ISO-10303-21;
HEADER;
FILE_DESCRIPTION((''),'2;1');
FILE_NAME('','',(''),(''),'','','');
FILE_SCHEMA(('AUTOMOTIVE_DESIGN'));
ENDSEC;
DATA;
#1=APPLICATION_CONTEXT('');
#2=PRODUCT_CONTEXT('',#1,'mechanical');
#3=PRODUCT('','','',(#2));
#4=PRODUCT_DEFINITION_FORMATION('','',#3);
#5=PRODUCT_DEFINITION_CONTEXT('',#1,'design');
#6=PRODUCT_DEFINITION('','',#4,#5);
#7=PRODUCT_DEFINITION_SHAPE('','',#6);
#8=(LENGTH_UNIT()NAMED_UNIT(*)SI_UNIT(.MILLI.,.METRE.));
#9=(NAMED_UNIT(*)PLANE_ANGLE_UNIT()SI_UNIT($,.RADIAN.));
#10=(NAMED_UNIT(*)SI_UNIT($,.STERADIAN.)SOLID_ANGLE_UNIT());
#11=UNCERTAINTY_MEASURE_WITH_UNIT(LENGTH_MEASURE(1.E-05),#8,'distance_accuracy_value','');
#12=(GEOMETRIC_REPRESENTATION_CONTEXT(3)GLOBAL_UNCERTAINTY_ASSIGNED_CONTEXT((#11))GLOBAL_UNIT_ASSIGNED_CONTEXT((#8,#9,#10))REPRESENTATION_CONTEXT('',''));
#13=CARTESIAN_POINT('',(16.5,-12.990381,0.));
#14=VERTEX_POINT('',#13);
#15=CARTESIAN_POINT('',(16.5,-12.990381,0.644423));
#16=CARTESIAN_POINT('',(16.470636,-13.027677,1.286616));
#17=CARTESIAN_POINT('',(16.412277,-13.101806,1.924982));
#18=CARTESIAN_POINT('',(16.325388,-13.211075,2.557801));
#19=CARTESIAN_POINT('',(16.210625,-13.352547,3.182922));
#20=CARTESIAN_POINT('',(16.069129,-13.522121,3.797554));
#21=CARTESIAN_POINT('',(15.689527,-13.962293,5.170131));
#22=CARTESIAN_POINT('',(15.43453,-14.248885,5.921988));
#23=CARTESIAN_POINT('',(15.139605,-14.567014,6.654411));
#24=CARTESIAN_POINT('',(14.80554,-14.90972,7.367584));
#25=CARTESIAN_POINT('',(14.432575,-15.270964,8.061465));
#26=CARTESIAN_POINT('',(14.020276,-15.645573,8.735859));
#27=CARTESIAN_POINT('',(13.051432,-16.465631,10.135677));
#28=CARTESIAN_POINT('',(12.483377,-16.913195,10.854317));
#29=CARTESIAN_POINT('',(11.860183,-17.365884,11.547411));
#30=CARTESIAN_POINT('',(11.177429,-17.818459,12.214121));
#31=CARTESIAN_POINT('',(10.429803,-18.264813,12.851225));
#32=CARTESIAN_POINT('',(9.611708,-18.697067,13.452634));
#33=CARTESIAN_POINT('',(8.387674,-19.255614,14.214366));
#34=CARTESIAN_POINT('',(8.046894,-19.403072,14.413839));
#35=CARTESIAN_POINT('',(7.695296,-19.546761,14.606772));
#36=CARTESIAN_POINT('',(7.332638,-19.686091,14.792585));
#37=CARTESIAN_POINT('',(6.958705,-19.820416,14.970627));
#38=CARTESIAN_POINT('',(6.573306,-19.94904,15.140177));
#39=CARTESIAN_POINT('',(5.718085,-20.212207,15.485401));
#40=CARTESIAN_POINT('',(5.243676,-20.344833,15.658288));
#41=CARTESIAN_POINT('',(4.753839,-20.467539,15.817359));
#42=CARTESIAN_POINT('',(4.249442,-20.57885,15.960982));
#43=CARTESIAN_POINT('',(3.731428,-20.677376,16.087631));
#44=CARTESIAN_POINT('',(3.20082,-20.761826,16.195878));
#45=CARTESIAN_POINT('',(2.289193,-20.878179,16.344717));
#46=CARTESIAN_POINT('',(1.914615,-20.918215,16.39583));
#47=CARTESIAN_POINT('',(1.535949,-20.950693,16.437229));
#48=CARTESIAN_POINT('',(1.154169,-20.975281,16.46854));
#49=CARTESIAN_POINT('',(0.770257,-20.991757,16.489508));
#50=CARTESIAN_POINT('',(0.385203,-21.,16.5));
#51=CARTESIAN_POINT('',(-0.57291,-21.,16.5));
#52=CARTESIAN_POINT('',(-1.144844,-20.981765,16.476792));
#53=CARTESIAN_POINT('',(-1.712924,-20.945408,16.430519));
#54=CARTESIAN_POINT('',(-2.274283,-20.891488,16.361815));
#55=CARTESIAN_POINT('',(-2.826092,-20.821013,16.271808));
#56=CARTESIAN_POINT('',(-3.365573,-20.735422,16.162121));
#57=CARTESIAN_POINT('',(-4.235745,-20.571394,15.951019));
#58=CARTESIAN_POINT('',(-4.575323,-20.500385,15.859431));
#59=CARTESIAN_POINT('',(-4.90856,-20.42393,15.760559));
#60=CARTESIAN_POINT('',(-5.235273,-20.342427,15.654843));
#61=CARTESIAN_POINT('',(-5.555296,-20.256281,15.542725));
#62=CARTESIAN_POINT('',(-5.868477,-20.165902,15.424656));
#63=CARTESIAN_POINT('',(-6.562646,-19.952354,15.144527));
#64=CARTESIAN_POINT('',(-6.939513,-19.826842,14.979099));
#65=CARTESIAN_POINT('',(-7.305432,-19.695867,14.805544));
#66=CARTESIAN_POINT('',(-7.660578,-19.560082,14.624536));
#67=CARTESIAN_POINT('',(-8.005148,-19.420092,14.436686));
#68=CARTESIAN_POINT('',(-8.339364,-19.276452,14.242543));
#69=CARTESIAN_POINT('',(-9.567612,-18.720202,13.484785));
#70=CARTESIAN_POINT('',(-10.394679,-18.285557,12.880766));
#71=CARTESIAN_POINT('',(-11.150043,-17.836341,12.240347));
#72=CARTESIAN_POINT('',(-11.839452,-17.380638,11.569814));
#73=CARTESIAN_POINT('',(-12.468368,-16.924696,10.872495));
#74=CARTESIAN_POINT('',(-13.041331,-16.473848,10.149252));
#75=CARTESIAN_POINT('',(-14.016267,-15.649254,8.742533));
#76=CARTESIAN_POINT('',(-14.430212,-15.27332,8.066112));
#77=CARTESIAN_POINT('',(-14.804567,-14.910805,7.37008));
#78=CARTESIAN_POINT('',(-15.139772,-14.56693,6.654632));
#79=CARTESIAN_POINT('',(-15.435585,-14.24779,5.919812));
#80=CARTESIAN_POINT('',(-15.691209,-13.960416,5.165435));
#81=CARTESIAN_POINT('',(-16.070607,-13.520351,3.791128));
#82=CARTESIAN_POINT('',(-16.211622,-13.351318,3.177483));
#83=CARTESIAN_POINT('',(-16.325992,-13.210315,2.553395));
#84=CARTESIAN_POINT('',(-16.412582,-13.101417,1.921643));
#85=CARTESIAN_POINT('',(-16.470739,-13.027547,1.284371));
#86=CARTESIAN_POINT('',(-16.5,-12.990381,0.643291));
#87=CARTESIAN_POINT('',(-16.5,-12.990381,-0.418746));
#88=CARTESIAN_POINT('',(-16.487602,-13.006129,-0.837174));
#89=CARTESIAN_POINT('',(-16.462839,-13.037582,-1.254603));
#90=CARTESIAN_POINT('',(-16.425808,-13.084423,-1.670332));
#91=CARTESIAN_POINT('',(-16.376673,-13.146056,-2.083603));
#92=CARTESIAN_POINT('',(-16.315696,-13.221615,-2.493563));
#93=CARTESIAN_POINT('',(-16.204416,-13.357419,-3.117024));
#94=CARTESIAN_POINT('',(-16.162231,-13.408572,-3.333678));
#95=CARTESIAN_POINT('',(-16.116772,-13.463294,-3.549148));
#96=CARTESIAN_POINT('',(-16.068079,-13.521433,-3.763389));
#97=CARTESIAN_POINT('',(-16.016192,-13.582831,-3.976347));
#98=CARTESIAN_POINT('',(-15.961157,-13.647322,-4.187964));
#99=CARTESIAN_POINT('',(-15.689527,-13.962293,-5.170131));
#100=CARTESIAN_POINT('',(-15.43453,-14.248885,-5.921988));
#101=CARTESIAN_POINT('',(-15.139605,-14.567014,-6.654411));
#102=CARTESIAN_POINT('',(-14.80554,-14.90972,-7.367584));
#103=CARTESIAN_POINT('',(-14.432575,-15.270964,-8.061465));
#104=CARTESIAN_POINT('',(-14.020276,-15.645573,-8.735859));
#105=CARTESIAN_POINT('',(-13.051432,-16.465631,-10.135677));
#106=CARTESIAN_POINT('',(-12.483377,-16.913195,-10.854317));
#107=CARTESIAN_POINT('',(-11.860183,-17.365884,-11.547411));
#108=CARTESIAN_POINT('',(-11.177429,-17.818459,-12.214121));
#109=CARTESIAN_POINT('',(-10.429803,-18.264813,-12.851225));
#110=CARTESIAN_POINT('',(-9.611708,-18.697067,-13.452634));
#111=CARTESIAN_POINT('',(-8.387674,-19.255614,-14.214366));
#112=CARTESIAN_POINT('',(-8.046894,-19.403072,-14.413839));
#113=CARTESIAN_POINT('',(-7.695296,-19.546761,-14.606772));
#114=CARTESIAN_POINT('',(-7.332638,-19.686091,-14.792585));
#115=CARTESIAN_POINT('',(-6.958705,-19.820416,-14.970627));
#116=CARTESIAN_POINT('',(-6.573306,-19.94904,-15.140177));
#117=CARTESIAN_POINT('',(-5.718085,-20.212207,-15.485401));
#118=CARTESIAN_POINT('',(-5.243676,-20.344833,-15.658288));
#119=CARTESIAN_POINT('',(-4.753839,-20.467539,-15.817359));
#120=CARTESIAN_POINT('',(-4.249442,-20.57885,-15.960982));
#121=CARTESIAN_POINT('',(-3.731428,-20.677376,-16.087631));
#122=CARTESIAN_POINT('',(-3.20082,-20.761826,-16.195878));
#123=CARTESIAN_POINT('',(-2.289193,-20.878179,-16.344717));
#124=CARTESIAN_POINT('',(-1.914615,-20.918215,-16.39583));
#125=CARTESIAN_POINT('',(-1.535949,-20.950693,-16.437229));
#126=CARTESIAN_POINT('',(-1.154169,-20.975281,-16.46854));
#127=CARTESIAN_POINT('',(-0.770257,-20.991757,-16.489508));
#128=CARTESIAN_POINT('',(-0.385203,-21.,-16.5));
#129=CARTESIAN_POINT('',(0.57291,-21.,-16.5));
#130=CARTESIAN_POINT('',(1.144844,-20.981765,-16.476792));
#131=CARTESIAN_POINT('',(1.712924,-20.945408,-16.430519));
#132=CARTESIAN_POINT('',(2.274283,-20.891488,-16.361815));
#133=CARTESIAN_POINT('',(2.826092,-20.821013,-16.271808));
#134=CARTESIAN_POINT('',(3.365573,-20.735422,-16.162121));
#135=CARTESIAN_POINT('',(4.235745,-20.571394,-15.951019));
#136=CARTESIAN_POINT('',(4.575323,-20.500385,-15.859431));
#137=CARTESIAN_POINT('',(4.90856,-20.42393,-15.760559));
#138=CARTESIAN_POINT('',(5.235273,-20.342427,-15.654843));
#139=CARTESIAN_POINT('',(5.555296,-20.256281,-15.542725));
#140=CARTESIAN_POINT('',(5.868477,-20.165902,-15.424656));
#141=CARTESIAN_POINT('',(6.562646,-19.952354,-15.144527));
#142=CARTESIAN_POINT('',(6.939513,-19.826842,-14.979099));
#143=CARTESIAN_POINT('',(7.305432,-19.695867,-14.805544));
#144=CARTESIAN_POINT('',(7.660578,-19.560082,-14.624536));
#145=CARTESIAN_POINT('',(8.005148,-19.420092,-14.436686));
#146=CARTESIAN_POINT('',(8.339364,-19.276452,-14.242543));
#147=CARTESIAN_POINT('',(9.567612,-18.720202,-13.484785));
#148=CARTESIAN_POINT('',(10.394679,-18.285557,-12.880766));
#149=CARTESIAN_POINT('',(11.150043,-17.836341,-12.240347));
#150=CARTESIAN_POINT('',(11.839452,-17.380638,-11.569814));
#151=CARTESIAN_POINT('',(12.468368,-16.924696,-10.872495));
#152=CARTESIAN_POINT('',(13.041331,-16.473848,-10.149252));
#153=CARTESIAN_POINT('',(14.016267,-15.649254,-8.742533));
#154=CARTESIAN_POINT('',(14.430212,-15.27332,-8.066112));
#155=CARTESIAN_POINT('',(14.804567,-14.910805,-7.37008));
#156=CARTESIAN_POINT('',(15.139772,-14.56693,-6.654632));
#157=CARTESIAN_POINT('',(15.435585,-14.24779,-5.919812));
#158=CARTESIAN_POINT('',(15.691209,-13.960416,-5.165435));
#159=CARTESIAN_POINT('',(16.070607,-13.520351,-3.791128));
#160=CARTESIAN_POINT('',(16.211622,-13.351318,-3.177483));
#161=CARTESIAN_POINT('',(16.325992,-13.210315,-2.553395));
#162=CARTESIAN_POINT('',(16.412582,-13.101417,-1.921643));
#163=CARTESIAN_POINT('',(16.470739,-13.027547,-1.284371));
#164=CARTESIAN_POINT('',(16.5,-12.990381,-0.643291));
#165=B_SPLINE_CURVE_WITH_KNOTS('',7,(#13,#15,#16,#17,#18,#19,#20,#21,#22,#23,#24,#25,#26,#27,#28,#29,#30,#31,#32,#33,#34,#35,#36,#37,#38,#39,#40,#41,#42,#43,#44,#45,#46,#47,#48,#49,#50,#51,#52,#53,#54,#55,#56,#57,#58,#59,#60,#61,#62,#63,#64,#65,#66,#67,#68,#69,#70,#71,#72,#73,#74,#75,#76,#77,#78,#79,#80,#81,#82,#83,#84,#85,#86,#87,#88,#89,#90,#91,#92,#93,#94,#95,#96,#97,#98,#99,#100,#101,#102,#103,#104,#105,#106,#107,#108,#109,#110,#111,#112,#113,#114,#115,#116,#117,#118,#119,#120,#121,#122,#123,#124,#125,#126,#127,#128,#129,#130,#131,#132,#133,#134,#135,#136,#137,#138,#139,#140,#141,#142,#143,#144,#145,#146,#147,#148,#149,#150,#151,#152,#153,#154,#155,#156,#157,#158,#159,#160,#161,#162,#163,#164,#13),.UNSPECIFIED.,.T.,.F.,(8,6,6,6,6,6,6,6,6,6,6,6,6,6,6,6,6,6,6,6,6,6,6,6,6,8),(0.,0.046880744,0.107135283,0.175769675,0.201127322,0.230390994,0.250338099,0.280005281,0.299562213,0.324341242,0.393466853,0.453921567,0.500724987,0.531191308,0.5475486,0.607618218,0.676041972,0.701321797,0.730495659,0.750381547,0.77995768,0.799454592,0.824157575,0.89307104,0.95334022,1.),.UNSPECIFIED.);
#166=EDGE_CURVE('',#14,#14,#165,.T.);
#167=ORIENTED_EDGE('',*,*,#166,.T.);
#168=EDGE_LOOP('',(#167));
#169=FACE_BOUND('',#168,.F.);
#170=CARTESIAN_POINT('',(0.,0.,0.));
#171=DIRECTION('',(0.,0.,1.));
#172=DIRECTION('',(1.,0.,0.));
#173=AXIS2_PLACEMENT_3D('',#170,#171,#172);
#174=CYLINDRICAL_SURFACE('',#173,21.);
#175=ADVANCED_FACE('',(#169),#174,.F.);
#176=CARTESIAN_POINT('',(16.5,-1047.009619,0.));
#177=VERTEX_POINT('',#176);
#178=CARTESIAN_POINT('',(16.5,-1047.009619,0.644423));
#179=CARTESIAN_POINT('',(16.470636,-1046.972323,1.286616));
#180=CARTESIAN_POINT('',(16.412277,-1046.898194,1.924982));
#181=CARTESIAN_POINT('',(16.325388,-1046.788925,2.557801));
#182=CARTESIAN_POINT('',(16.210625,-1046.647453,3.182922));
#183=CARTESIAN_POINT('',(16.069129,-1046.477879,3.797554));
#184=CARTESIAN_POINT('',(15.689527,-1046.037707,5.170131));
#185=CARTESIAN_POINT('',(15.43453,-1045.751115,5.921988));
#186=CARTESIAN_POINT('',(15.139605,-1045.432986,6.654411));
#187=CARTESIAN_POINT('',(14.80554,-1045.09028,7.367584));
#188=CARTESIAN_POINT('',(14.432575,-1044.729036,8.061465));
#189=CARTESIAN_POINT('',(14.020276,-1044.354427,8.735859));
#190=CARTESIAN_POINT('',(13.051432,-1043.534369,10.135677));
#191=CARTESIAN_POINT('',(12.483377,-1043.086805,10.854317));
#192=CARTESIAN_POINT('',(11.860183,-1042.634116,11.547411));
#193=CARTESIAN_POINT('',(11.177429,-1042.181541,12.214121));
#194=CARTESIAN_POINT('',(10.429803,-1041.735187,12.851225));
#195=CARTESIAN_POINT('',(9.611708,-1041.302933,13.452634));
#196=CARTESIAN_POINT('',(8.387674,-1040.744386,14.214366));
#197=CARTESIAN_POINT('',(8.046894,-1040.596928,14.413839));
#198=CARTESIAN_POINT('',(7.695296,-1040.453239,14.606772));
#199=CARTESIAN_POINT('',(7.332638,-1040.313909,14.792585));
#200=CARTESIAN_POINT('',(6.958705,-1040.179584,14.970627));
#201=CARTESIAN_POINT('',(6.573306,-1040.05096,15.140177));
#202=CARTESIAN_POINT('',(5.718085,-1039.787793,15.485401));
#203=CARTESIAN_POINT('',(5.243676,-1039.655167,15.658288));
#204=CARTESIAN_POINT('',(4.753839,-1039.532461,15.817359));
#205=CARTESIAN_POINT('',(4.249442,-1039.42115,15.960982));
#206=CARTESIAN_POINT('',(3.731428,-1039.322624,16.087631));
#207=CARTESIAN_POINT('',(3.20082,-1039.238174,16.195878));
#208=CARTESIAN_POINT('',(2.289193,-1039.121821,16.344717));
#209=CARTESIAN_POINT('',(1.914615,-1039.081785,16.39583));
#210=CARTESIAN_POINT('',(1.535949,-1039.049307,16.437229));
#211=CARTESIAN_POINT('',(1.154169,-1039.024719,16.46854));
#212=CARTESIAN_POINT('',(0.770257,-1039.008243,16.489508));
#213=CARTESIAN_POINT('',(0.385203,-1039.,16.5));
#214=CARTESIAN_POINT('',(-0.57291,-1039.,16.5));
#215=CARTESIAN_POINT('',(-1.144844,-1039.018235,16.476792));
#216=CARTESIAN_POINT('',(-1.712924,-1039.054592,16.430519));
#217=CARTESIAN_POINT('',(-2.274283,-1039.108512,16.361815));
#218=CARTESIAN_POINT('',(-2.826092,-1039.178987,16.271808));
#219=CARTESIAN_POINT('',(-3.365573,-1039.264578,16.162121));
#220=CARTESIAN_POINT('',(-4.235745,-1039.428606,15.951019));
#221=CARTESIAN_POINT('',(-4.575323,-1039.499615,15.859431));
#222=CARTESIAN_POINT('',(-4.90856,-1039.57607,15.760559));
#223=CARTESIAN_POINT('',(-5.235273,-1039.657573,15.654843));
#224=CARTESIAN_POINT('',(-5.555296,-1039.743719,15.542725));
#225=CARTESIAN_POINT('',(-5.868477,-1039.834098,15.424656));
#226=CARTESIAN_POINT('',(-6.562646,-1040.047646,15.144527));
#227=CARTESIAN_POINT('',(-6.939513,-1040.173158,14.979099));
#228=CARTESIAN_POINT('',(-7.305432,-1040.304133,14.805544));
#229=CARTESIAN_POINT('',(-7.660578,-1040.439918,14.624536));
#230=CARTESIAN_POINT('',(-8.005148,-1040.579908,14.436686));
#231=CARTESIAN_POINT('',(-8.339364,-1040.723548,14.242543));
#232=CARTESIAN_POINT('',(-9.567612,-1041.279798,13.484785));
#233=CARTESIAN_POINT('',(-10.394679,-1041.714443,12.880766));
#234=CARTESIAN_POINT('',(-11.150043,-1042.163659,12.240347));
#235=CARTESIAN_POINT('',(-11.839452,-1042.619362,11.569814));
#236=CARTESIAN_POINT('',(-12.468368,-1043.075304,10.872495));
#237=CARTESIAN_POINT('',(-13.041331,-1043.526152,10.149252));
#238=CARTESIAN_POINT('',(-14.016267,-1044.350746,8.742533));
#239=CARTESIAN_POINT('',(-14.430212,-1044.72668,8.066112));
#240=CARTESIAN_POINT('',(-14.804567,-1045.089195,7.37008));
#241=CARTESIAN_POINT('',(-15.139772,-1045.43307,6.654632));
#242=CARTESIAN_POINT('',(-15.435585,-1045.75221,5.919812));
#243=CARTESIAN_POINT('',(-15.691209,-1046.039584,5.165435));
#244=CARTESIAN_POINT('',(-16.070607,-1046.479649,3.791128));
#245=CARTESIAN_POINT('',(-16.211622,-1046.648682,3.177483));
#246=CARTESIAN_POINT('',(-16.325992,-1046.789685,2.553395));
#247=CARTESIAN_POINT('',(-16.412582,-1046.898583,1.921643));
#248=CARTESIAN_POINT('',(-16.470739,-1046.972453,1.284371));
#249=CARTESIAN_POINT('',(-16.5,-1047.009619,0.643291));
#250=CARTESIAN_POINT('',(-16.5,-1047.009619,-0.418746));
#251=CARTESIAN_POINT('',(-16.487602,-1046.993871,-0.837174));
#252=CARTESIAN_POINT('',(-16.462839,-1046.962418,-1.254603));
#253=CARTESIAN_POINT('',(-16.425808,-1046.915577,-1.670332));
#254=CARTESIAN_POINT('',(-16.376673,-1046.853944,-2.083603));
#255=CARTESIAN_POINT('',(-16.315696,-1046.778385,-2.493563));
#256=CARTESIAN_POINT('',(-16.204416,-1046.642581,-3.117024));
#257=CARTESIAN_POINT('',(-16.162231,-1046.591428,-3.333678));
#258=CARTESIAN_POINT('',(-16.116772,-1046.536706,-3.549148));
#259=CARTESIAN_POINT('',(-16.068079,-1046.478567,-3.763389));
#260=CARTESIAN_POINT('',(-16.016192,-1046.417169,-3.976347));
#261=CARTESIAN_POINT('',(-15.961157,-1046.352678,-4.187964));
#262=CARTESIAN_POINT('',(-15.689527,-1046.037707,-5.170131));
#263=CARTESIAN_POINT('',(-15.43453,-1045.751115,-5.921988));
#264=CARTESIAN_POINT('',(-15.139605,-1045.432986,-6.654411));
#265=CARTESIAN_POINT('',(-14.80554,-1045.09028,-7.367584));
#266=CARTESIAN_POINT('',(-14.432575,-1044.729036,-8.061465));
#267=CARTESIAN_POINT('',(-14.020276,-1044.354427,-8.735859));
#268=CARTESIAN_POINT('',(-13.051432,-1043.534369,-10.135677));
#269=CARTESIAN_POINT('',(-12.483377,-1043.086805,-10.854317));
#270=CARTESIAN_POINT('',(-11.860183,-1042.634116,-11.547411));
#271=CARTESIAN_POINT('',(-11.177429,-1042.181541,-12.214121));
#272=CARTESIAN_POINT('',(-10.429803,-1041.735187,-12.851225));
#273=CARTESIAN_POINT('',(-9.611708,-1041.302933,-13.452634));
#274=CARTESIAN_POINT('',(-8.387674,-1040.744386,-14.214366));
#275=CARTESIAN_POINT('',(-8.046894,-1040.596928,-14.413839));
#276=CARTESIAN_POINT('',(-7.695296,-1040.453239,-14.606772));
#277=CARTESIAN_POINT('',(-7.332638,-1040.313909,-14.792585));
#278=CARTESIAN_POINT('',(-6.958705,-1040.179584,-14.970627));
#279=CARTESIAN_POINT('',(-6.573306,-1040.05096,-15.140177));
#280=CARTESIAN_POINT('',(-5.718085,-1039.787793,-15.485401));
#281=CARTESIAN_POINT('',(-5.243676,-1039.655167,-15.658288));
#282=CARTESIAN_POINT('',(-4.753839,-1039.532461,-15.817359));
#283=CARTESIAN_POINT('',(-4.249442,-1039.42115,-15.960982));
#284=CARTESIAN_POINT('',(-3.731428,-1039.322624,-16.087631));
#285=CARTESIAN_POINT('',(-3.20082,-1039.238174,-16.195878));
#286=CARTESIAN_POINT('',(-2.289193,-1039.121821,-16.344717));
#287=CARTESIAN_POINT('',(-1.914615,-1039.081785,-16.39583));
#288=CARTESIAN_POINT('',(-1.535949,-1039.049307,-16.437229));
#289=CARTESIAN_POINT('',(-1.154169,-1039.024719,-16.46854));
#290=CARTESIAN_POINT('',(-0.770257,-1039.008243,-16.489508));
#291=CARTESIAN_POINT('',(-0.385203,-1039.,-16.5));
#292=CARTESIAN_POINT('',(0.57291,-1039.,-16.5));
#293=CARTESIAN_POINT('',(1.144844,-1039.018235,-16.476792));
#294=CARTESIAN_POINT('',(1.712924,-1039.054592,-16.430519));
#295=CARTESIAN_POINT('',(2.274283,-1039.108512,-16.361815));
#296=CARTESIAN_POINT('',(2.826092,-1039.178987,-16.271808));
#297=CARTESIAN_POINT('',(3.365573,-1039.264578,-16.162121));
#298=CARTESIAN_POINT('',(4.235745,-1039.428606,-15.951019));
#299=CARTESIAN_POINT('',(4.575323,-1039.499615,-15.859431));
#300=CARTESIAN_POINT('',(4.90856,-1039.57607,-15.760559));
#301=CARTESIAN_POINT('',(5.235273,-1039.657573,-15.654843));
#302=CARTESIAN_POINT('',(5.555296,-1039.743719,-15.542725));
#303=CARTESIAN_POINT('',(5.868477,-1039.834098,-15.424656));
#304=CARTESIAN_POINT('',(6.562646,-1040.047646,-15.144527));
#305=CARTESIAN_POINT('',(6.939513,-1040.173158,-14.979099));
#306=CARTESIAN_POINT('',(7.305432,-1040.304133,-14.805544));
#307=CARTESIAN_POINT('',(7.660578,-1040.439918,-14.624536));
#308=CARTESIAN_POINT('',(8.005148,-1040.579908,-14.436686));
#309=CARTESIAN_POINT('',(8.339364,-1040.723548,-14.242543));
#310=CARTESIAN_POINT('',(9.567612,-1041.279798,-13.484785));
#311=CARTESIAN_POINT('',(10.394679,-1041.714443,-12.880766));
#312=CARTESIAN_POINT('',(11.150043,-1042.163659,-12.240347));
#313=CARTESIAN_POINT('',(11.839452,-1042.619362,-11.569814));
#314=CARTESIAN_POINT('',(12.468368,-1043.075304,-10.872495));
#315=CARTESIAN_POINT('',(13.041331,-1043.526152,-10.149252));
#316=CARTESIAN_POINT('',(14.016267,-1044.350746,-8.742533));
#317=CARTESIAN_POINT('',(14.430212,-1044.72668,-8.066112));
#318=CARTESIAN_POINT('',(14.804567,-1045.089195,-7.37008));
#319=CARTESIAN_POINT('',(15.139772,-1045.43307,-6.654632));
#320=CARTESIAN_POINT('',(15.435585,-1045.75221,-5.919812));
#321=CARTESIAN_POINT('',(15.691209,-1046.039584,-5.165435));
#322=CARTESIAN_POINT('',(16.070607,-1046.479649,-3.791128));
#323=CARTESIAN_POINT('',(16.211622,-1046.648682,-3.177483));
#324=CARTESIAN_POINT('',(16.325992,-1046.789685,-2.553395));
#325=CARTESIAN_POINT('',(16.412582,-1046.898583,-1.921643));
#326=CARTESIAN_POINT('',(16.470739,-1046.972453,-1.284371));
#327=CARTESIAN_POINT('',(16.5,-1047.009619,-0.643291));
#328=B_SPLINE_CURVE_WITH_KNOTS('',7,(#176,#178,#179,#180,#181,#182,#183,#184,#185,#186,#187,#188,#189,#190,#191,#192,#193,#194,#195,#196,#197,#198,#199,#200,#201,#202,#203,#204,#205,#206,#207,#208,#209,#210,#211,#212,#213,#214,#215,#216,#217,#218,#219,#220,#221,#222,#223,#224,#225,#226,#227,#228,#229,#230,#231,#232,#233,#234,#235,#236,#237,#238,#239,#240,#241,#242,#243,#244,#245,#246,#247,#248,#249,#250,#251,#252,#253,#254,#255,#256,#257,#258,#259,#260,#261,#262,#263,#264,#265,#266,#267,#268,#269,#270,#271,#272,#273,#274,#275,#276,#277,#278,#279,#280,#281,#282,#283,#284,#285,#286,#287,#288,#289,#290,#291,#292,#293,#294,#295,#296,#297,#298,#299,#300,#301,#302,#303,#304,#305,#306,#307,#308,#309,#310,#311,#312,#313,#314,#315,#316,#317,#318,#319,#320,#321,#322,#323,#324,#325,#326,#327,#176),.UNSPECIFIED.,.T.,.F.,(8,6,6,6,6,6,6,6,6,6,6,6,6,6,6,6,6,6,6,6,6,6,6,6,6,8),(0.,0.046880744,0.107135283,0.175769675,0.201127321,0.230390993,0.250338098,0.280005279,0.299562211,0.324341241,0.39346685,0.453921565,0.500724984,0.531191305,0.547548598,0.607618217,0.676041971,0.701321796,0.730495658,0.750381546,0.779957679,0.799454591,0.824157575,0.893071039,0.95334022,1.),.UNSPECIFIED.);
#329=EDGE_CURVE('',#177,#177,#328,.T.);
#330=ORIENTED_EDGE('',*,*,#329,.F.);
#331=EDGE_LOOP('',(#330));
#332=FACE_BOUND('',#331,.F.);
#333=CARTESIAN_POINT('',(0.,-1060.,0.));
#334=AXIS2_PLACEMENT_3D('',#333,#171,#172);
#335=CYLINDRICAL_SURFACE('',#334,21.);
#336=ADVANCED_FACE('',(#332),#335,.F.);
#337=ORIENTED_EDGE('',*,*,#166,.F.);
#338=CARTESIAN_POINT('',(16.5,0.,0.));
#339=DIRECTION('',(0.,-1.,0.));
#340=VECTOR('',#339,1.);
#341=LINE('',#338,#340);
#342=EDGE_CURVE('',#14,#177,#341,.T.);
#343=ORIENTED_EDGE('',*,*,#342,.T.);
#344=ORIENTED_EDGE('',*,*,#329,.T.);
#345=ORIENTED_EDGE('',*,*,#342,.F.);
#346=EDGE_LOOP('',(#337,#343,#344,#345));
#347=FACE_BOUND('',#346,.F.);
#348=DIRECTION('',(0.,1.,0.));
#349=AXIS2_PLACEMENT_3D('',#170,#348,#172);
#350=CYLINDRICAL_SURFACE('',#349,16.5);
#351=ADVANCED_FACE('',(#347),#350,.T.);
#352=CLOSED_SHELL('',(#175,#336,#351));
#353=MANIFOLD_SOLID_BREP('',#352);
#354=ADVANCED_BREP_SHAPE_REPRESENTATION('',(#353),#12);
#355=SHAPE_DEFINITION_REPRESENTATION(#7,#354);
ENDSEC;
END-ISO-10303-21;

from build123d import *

# Parameters (mm, degrees)
F0_R     = 16.5
F1_DEPTH = 1060
F2_R     = 21
F3_DEPTH = 500
F5_DEPTH = 50


with BuildPart() as f1:
    # F0 (on Front) → F1 (new body)
    with BuildSketch(Plane.XZ):
        Circle(F0_R)
    extrude(amount=F1_DEPTH)

    # F2 (on Top) → F3 (cut, symmetric)
    with BuildSketch(Plane.XY):
        Circle(F2_R)
    extrude(amount=F3_DEPTH, both=True, mode=Mode.SUBTRACT)

    # F4 (on Top) → F5 (cut, symmetric)
    with BuildSketch(Plane.XY):
        with BuildLine():
            Line((-21, -1060), (0, -1060))
            Line((0, -1060), (21, -1060))
            ThreePointArc((21, -1060), (0, -1039), (-21, -1060))
        make_face()
    extrude(amount=F5_DEPTH, both=True, mode=Mode.SUBTRACT)


solid = f1.part
